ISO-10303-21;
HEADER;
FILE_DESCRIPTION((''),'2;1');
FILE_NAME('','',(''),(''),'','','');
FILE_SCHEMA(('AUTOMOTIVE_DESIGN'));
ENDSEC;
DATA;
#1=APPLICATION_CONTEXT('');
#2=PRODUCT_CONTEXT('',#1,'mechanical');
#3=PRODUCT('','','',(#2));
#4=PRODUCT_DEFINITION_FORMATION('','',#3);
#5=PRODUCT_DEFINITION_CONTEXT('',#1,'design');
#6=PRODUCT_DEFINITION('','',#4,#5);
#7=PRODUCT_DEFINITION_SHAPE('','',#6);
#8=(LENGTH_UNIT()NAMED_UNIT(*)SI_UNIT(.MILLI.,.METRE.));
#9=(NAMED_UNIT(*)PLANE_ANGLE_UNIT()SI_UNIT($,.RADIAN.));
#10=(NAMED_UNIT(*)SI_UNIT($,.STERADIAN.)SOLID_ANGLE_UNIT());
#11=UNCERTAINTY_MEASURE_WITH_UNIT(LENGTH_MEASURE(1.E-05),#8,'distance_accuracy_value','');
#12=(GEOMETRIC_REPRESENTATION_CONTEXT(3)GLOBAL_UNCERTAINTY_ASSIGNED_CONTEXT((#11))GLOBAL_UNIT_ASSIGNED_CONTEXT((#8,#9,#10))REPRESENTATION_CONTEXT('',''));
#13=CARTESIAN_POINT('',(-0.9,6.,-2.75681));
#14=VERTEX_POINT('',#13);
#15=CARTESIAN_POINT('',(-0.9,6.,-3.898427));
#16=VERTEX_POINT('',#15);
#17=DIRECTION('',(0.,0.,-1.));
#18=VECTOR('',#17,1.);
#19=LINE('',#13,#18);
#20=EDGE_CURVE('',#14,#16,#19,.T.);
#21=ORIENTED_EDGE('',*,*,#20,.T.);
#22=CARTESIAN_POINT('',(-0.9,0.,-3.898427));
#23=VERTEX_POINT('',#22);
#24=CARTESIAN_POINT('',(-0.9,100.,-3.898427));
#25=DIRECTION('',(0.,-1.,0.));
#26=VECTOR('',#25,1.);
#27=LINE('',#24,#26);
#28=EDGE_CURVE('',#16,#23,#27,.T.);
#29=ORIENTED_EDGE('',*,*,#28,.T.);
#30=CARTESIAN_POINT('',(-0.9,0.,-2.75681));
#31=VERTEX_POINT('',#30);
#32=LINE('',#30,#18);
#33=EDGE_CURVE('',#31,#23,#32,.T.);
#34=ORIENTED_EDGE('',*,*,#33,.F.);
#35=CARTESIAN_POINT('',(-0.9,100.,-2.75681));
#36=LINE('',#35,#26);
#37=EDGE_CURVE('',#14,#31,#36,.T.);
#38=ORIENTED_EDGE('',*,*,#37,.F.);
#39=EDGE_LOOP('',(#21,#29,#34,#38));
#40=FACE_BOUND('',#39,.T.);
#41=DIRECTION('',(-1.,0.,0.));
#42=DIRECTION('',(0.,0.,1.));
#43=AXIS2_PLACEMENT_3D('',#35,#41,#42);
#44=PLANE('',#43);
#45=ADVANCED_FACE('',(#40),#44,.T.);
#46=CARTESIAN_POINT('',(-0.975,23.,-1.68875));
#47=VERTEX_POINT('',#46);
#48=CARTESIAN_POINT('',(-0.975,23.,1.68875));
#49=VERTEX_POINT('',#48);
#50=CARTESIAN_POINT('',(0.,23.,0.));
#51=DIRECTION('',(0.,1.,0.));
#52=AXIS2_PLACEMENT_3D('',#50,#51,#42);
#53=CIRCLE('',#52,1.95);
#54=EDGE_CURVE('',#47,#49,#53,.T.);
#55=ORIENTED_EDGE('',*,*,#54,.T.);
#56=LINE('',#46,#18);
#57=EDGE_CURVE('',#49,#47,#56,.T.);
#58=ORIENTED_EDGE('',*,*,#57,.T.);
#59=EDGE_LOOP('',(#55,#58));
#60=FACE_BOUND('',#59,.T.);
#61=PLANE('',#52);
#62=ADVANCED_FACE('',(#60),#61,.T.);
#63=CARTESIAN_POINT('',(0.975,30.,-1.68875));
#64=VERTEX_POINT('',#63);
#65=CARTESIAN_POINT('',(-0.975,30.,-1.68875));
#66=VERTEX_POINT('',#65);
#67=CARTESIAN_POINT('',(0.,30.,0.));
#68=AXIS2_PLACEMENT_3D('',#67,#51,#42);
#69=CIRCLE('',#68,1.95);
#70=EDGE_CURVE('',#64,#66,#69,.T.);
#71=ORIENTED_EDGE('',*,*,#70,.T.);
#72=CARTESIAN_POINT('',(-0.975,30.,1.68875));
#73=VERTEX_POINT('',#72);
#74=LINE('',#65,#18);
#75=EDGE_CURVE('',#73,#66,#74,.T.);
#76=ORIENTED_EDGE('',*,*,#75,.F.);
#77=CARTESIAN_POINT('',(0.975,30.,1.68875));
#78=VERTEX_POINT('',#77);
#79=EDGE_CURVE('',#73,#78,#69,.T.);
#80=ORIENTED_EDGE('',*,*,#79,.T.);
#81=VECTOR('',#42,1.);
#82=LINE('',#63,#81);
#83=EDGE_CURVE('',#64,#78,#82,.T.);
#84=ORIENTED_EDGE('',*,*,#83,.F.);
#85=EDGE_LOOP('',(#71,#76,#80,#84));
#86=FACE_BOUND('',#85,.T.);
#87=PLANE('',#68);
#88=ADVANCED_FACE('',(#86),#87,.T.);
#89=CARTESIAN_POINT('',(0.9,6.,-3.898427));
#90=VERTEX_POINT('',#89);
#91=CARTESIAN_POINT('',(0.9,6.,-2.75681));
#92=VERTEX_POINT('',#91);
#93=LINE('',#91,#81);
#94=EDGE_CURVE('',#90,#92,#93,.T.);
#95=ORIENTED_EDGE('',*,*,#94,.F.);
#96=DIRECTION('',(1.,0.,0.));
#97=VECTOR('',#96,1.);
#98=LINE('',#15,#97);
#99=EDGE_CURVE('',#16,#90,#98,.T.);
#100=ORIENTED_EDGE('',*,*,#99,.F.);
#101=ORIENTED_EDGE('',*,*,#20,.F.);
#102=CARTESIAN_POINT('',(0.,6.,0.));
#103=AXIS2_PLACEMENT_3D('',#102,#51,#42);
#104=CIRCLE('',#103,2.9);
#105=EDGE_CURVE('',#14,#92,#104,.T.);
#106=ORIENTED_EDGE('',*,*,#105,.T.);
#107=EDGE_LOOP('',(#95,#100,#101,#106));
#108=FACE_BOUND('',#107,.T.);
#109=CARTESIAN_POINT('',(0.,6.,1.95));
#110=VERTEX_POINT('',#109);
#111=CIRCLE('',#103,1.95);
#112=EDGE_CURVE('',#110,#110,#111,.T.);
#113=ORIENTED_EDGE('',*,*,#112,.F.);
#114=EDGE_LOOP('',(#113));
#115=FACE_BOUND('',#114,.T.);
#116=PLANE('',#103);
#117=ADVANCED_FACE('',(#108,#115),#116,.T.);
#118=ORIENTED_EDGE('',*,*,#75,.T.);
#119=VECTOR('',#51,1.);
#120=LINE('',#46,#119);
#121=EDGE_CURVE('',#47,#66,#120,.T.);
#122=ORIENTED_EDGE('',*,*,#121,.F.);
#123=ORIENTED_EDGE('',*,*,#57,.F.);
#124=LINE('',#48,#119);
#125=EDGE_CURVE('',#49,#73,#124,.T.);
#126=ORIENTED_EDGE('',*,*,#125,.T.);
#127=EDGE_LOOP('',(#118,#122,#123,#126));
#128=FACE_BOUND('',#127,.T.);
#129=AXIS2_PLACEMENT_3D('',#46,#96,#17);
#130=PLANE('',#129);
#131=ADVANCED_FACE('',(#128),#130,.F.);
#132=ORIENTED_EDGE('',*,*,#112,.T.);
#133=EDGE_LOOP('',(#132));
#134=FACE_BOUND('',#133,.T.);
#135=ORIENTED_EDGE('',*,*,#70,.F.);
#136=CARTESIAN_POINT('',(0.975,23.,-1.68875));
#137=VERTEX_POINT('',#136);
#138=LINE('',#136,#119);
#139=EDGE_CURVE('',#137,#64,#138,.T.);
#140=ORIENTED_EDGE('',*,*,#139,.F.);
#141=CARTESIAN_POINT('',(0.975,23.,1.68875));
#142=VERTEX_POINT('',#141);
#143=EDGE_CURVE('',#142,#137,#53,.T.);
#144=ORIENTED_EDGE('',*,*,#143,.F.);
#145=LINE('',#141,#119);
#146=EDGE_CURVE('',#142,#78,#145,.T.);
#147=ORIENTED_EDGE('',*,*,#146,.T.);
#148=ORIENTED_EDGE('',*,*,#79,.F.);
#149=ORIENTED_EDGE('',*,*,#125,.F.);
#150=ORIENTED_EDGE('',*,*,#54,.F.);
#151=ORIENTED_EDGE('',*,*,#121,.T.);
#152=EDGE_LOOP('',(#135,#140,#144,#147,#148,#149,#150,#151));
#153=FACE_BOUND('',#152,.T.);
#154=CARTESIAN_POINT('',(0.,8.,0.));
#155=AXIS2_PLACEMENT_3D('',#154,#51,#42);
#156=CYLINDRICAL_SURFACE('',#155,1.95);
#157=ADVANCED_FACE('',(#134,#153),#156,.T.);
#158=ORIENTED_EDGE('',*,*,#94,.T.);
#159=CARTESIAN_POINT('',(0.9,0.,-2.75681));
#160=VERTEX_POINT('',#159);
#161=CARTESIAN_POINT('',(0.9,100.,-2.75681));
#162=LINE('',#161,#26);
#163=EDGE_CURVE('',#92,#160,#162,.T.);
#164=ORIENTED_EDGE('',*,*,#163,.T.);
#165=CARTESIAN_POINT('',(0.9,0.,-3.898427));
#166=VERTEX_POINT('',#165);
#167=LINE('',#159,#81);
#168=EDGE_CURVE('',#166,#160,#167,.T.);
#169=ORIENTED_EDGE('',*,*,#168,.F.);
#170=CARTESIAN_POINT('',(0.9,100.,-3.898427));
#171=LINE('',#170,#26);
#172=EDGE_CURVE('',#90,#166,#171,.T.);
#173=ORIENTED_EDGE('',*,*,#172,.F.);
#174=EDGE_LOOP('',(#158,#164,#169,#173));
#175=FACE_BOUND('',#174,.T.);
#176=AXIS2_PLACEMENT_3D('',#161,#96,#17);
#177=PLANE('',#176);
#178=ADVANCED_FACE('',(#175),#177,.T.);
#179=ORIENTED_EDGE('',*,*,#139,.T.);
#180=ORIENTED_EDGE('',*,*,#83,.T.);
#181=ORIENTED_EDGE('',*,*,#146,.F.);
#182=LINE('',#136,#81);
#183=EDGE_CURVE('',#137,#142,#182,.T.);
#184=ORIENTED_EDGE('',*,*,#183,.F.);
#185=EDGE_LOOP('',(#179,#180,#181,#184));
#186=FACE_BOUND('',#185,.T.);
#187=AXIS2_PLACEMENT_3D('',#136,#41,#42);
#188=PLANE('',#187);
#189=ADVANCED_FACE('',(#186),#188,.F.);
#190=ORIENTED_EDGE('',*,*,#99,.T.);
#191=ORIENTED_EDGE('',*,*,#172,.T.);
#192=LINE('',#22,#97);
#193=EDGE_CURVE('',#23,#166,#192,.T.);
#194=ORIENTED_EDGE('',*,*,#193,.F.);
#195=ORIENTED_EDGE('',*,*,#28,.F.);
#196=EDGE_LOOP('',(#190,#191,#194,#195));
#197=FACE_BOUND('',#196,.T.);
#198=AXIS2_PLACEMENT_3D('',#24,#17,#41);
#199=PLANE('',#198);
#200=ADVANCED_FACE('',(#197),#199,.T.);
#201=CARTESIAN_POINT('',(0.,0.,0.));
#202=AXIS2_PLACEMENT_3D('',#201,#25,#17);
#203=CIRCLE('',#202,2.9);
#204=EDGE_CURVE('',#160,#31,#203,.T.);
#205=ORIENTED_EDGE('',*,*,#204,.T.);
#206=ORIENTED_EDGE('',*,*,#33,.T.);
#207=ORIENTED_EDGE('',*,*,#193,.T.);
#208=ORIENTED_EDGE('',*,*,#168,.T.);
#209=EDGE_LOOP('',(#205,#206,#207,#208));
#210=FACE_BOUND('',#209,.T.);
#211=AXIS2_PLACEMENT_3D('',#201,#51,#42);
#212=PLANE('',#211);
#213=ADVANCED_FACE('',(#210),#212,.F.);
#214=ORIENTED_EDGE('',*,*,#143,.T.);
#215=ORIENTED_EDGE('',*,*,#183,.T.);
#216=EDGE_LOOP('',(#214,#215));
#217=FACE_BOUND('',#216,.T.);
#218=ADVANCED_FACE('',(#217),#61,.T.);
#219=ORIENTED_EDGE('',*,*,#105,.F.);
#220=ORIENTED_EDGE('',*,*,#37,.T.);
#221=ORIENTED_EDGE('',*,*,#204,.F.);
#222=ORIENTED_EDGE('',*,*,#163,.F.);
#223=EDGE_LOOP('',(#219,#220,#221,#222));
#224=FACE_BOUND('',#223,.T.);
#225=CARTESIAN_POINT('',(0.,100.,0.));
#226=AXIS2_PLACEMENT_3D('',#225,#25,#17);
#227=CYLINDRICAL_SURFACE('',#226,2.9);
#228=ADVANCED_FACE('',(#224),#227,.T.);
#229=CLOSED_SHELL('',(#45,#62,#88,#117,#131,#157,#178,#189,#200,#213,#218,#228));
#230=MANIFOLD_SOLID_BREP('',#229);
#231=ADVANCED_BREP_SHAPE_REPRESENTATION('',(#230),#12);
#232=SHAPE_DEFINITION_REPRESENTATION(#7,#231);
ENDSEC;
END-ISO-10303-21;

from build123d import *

# Parameters (mm, degrees)
SKETCH1_R           = 3
SKETCH1_W           = 2
SKETCH1_H           = 1.17
BOSS_EXTRUDE1_DEPTH = 30
SKETCH2_R           = 6.166150273
SKETCH2_R_2         = 1.95
CUT_EXTRUDE1_DEPTH  = 22
CUT_EXTRUDE2_DEPTH  = 7
CUT_EXTRUDE3_DEPTH  = 100
SKETCH5_R           = 1.95
CUT_EXTRUDE4_DEPTH  = 2


with BuildPart() as part:
    # Sketch1 → Boss-Extrude1 (new body)
    with BuildSketch(Plane(origin=(0, 0, 0), x_dir=(1, 0, 0), z_dir=(0, 1, 0))):
        Circle(SKETCH1_R)
        with Locations((0, 3.413427125)):
            Rectangle(SKETCH1_W, SKETCH1_H)
    extrude(amount=BOSS_EXTRUDE1_DEPTH)

    # Sketch2 → Cut-Extrude1 (cut)
    with BuildSketch(Plane(origin=(0, 30, 0), x_dir=(1, 0, 0), z_dir=(0, 1, 0))):
        Circle(SKETCH2_R)
        Circle(SKETCH2_R_2, mode=Mode.SUBTRACT)
    extrude(amount=-CUT_EXTRUDE1_DEPTH, mode=Mode.SUBTRACT)

    # Sketch3 → Cut-Extrude2 (cut)
    with BuildSketch(Plane(origin=(0, 30, 0), x_dir=(1, 0, 0), z_dir=(0, 1, 0))):
        with BuildLine():
            Line((-0.975, 1.688749537), (-0.975, -1.688749537))
            ThreePointArc((-0.975, -1.688749537), (-1.95, 0), (-0.975, 1.688749537))
        make_face()
        with BuildLine():
            Line((0.975, 1.688749537), (0.975, -1.688749537))
            ThreePointArc((0.975, -1.688749537), (1.95, 0), (0.975, 1.688749537))
        make_face()
    extrude(amount=-CUT_EXTRUDE2_DEPTH, mode=Mode.SUBTRACT)

    # Sketch4 → Cut-Extrude3 (cut)
    with BuildSketch(Plane.XZ):
        with BuildLine():
            Line((-1, -3.998427125), (1, -3.998427125))
            Line((1, -3.998427125), (1, -2.828427125))
            ThreePointArc((1, -2.828427125), (0, 3), (-1, -2.828427125))
            Line((-1, -2.828427125), (-1, -3.998427125))
        make_face()
        with BuildLine():
            Line((-0.9, -2.75680975), (-0.9, -3.898427125))
            Line((-0.9, -3.898427125), (0.9, -3.898427125))
            Line((0.9, -3.898427125), (0.9, -2.75680975))
            ThreePointArc((0.9, -2.75680975), (0, 2.9), (-0.9, -2.75680975))
        make_face(mode=Mode.SUBTRACT)
    extrude(amount=-CUT_EXTRUDE3_DEPTH, mode=Mode.SUBTRACT)

    # Sketch5 → Cut-Extrude4 (cut)
    with BuildSketch(Plane(origin=(0, 8, 0), x_dir=(1, 0, 0), z_dir=(0, 1, 0))):
        with BuildLine():
            Line((-2.76006086, 0.889979801), (-1.708873277, 4.14998829))
            Line((-1.708873277, 4.14998829), (2.174929625, 4.14998829))
            Line((2.174929625, 4.14998829), (2.48458984, 1.495597984))
            ThreePointArc((2.48458984, 1.495597984), (0.332662617, -2.880856745), (-2.76006086, 0.889979801))
        make_face()
        Circle(SKETCH5_R, mode=Mode.SUBTRACT)
    extrude(amount=-CUT_EXTRUDE4_DEPTH, mode=Mode.SUBTRACT)


solid = part.part
